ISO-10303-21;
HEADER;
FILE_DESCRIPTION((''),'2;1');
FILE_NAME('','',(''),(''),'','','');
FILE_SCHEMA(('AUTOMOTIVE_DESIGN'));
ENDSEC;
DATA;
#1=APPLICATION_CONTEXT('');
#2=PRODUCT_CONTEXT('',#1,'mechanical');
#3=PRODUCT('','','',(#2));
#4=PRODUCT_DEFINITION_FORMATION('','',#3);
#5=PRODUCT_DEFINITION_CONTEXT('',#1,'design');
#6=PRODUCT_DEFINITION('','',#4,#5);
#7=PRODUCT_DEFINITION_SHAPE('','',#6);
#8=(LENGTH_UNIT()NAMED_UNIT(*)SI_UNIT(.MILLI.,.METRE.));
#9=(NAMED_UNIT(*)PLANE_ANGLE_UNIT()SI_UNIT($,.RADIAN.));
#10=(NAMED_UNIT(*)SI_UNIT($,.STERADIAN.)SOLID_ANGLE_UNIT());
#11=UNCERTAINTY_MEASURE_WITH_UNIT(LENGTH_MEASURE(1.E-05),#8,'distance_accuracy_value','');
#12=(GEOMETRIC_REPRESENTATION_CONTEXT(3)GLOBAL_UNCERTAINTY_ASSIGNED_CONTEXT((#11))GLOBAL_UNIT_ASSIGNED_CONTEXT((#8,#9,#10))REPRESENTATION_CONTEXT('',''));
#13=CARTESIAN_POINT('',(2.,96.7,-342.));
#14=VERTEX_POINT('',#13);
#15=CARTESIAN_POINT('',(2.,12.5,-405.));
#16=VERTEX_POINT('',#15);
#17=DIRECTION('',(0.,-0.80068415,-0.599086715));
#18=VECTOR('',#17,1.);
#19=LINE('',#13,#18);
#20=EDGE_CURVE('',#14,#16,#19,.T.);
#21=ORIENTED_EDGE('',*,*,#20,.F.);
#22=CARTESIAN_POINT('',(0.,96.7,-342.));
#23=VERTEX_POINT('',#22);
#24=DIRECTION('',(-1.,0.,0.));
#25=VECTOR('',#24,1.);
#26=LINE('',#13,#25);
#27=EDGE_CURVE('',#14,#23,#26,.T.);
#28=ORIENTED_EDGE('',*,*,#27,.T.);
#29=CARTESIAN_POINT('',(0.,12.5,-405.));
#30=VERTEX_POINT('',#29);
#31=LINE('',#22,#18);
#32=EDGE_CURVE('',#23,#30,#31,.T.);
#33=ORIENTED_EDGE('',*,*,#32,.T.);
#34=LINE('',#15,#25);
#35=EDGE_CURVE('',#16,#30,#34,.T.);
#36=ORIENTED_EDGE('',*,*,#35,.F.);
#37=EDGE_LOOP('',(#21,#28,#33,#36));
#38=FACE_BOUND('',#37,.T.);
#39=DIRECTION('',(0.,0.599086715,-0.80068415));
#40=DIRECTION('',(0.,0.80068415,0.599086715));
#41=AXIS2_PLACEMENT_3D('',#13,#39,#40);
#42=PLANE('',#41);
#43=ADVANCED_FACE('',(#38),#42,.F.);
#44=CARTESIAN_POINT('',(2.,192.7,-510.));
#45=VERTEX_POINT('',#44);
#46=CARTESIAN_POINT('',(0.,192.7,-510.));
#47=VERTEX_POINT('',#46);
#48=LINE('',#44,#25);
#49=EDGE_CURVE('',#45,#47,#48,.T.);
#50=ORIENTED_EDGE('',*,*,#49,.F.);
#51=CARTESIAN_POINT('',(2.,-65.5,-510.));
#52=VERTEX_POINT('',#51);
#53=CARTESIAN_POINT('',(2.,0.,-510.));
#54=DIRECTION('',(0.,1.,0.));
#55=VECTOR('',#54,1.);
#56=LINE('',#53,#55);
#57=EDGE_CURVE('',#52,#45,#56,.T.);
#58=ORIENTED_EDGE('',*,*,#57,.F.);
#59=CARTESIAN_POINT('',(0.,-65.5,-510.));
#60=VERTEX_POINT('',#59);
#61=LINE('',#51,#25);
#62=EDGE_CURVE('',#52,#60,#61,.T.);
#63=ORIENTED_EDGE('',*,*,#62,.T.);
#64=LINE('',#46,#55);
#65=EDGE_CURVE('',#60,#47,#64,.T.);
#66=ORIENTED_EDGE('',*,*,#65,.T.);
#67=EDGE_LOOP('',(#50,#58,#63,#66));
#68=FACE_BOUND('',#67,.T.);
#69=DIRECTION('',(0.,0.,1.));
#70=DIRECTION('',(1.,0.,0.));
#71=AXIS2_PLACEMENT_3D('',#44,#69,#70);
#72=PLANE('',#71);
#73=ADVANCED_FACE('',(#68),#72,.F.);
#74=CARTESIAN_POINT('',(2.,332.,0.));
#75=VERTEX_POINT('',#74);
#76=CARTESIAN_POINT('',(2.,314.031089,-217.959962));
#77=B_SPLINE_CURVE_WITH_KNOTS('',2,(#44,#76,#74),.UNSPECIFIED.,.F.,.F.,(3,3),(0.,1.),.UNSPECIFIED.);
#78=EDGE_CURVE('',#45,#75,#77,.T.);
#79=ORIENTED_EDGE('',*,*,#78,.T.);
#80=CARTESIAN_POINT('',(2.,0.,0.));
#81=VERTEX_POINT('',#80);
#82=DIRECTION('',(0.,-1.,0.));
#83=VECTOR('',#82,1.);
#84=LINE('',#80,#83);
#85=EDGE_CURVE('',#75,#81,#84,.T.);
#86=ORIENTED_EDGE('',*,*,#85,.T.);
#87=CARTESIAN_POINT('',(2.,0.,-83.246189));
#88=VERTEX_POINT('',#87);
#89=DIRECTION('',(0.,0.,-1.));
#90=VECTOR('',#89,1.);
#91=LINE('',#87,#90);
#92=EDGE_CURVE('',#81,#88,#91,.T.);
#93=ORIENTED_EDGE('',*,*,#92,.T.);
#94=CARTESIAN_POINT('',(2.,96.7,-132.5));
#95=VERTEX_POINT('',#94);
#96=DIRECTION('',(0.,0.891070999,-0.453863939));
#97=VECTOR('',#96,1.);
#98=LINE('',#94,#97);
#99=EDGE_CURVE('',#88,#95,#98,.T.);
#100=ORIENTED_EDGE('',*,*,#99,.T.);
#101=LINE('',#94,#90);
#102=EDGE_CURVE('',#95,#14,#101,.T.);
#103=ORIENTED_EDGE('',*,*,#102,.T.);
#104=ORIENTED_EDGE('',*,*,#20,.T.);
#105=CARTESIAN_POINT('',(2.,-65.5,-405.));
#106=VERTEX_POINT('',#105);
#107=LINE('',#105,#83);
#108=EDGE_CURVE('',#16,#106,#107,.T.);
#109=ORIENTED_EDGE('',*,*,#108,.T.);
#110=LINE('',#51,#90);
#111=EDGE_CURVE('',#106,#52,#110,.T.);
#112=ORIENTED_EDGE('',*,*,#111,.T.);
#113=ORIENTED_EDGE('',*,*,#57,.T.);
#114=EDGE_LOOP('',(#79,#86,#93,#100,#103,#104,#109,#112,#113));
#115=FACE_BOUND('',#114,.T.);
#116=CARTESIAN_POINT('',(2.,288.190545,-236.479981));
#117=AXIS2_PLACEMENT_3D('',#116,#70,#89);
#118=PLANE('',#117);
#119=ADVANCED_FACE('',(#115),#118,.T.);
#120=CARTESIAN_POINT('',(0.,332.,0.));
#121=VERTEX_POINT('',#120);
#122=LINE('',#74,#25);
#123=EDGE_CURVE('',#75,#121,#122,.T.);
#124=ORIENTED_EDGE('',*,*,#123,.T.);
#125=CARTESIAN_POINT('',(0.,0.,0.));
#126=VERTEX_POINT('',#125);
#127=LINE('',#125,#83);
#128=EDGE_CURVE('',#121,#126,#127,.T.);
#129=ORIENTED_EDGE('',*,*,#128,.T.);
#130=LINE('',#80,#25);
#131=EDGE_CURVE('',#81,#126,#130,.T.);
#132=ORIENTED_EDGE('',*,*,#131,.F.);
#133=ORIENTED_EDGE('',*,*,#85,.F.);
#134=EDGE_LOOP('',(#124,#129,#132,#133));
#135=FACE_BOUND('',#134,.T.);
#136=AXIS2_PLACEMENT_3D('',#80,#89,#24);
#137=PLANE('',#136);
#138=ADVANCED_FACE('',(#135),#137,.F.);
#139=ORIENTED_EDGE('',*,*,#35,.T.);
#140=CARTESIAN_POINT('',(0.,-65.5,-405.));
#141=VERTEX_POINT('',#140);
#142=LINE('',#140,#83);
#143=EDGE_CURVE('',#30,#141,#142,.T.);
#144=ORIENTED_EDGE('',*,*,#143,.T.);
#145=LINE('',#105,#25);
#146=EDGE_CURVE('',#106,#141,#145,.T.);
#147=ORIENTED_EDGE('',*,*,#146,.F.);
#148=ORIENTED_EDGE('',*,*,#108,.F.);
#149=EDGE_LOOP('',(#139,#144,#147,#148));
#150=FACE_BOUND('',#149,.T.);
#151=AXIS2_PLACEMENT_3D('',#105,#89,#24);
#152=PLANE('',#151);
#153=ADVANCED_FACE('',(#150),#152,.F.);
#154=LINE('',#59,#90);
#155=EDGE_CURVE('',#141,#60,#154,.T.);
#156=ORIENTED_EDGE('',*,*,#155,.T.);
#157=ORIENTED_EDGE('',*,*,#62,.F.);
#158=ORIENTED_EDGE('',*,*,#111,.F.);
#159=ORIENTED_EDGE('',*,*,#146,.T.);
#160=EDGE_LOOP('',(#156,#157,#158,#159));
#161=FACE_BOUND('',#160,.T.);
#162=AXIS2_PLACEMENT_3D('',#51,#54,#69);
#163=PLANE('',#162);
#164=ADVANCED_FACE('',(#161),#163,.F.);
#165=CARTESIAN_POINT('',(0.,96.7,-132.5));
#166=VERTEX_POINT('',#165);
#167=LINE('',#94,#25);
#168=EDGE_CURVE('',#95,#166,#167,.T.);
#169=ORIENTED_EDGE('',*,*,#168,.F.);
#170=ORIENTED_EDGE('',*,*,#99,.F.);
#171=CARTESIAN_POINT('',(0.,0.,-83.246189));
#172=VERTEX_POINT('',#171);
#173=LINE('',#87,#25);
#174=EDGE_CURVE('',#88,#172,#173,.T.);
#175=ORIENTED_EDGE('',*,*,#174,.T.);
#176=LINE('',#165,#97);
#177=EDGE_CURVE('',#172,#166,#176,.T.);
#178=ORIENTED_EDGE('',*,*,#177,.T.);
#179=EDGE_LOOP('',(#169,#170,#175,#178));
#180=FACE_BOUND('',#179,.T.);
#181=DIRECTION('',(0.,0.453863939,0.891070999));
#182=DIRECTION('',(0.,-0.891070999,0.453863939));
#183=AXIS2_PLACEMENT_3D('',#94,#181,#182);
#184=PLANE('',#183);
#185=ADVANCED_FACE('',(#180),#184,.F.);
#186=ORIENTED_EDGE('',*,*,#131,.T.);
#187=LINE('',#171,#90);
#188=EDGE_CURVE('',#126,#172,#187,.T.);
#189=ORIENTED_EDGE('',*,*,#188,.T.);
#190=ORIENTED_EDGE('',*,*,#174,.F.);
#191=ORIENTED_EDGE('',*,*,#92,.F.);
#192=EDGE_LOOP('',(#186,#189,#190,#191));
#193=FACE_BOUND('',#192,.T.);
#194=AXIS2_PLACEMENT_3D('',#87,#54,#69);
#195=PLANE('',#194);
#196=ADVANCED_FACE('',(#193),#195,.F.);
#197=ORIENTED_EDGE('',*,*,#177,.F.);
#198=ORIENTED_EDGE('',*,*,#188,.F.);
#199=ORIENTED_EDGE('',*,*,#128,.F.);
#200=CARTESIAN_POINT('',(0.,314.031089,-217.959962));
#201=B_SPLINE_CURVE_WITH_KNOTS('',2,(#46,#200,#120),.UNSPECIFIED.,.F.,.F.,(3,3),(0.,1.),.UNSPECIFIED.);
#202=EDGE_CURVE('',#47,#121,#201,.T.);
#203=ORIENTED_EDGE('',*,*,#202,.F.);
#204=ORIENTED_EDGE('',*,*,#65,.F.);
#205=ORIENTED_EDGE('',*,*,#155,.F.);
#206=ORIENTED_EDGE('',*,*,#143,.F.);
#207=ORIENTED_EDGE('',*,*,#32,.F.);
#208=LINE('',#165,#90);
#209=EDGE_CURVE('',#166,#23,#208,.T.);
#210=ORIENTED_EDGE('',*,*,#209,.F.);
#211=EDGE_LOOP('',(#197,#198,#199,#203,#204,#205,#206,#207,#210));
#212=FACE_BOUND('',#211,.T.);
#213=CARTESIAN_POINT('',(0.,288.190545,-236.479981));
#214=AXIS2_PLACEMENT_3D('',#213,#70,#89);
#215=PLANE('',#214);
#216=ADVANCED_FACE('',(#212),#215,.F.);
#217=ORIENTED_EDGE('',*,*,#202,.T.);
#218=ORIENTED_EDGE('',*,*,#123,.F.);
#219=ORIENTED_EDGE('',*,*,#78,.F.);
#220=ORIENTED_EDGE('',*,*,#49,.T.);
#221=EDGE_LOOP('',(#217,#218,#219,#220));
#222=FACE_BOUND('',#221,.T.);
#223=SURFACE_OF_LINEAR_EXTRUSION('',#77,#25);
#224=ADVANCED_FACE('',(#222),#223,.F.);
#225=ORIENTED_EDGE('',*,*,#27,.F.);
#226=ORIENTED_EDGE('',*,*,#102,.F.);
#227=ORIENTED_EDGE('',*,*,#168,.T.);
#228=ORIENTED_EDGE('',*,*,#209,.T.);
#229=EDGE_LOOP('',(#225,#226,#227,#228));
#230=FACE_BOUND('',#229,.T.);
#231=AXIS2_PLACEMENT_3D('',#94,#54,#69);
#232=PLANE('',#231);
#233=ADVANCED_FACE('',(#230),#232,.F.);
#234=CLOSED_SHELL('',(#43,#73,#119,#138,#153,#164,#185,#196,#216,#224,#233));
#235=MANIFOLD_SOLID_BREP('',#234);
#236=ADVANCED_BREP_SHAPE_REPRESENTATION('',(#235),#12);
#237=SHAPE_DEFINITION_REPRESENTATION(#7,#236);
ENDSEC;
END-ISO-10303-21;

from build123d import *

# Parameters (mm, degrees)
BOSS_EXTRUDE1_DEPTH = 2


with BuildPart() as part:
    # Sketch1 → Boss-Extrude1 (new body)
    with BuildSketch(Plane(origin=(0, 0, 0), x_dir=(0, 0, -1), z_dir=(1, 0, 0))):
        with BuildLine():
            Line((0, 0), (0, 332))
            add(Edge.make_bspline(
                [(0, 332), (217.959962459, 314.031089263), (510, 192.7)],
                knots=[0, 0, 0, 1, 1, 1], degree=2))
            Line((510, 192.7), (510, 0))
            Line((510, 0), (510, -65.5))
            Line((510, -65.5), (405, -65.5))
            Line((405, -65.5), (405, 12.5))
            Line((405, 12.5), (342, 96.7))
            Line((342, 96.7), (132.5, 96.7))
            Line((132.5, 96.7), (83.246188613, 0))
            Line((83.246188613, 0), (0, 0))
        make_face()
    extrude(amount=BOSS_EXTRUDE1_DEPTH)


solid = part.part
